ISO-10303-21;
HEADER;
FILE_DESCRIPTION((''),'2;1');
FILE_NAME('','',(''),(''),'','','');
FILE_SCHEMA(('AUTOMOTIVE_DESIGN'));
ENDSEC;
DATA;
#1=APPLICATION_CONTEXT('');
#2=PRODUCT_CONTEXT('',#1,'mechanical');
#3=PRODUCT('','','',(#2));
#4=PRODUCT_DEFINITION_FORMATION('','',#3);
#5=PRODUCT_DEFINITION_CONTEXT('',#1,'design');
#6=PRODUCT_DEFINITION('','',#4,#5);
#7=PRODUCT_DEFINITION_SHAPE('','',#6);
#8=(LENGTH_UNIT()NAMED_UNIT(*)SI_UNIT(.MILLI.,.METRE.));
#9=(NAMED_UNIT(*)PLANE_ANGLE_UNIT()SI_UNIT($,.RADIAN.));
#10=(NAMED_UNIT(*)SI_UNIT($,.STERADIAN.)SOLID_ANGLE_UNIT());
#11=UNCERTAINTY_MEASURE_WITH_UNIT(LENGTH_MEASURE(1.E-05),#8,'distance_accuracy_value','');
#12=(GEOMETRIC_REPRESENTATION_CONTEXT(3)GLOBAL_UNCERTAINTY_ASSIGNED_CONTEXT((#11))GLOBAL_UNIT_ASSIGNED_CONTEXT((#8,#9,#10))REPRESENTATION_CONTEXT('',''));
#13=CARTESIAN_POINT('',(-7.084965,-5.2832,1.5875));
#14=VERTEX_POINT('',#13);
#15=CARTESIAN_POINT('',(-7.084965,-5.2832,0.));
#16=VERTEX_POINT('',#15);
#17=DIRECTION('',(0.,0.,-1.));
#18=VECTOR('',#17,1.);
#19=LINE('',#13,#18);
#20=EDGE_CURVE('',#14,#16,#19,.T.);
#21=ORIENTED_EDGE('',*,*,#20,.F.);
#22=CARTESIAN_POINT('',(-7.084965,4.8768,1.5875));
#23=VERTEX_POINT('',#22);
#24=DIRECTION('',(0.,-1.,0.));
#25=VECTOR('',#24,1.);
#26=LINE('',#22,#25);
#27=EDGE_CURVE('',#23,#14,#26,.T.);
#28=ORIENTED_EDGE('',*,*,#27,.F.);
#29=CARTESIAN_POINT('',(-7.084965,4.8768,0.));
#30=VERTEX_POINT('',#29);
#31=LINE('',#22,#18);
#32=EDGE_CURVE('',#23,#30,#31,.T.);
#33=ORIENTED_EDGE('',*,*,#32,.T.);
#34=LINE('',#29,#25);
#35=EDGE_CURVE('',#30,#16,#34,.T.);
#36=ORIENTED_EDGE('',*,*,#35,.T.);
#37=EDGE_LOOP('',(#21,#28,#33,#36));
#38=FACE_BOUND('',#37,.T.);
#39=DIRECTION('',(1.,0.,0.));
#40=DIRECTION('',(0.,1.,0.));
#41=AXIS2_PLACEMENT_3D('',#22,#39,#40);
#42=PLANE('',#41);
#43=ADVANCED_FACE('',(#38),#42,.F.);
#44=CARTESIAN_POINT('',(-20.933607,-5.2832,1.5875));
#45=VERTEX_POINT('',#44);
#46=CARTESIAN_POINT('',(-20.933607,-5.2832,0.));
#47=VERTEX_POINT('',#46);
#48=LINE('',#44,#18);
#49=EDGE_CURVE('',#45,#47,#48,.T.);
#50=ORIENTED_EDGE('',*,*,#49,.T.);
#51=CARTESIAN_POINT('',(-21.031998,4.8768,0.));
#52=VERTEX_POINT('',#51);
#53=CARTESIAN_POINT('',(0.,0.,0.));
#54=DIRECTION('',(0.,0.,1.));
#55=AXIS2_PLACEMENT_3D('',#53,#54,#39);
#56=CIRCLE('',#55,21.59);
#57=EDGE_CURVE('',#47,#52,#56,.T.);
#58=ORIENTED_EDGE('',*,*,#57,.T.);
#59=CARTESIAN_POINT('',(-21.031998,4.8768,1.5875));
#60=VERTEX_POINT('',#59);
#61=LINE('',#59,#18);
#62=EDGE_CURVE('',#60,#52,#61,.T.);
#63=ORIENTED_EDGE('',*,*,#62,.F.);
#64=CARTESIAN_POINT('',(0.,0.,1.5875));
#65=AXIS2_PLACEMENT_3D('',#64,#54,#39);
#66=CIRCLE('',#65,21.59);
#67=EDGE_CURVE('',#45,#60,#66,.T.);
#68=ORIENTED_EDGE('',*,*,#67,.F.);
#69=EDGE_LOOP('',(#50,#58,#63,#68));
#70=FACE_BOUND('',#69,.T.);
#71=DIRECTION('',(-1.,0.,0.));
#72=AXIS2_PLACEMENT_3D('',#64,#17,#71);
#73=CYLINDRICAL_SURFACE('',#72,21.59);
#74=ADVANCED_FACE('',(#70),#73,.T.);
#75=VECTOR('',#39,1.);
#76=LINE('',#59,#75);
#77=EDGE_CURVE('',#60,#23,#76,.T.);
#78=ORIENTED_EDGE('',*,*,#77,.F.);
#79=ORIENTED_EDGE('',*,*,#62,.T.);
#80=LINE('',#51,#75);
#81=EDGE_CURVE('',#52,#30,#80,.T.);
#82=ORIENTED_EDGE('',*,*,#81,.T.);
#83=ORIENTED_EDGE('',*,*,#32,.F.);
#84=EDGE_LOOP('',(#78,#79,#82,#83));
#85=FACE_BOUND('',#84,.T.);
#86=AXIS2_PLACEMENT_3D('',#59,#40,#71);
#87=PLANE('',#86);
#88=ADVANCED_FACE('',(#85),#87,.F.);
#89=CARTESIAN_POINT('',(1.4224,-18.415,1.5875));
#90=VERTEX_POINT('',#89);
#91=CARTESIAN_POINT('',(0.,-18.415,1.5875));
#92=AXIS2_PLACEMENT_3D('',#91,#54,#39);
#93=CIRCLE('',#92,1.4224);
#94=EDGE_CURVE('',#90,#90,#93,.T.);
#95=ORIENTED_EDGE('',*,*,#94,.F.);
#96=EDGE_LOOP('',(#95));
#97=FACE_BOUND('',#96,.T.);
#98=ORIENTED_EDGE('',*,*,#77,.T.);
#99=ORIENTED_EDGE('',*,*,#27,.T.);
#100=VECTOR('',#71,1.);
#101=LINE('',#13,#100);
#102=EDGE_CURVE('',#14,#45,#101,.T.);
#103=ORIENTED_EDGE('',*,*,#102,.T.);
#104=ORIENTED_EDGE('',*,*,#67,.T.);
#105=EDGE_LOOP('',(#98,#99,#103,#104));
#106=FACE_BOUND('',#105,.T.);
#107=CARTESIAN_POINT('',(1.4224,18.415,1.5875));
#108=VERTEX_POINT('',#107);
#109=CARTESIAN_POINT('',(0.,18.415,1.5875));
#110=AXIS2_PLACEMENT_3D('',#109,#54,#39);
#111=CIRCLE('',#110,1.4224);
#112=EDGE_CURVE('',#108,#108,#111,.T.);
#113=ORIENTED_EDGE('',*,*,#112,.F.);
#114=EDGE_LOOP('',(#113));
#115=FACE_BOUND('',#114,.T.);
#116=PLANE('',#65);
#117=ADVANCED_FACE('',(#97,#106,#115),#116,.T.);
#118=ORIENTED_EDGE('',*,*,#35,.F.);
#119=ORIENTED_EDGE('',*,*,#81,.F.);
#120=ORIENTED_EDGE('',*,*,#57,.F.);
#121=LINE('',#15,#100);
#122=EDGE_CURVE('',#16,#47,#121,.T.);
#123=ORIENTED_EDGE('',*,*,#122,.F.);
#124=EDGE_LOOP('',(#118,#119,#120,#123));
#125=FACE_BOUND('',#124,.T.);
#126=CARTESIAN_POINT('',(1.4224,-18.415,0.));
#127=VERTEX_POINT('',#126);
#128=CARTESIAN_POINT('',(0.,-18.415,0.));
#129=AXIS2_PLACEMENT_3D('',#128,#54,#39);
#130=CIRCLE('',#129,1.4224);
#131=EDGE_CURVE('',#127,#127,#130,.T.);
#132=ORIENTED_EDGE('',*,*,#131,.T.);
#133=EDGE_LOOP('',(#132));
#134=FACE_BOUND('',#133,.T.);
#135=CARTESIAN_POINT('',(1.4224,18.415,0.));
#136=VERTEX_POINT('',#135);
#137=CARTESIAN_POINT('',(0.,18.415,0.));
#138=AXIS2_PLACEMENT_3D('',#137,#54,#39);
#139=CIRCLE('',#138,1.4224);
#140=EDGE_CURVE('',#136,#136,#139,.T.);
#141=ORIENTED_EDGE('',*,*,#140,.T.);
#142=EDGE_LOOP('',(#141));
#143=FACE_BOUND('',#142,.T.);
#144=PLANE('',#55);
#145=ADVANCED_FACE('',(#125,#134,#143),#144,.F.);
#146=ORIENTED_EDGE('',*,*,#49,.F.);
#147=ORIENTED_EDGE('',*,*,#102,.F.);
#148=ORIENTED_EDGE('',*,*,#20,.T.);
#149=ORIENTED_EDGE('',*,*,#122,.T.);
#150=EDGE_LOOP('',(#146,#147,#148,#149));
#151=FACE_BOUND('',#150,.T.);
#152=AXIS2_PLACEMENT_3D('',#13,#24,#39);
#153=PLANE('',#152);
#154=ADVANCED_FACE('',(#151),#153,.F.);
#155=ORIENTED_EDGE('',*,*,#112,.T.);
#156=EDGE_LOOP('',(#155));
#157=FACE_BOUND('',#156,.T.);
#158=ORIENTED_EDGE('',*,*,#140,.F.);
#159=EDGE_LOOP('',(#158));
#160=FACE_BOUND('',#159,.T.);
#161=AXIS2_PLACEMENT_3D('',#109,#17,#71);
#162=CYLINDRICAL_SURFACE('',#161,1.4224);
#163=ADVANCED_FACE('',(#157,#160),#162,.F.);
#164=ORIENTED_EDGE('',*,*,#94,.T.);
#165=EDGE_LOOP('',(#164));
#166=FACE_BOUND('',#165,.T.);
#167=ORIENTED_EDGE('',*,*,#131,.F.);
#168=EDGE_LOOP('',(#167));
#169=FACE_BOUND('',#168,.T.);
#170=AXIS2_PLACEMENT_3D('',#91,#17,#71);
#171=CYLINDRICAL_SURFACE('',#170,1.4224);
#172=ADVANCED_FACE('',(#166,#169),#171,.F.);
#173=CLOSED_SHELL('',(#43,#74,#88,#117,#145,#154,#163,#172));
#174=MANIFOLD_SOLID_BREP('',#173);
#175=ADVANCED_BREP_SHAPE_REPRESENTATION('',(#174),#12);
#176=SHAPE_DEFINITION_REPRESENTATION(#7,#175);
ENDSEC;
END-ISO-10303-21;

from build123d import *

# Parameters (mm, degrees)
SKETCH2_R           = 1.4224
BOSS_EXTRUDE1_DEPTH = 1.5875


with BuildPart() as part:
    # Sketch2 → Boss-Extrude1 (new body)
    with BuildSketch(Plane.XY):
        with BuildLine():
            Line((-21.031997569, 4.8768), (-7.084965338, 4.8768))
            Line((-7.084965338, 4.8768), (-7.084965338, -5.2832))
            Line((-7.084965338, -5.2832), (-20.933606898, -5.2832))
            ThreePointArc((-20.933606898, -5.2832), (21.588987692, 0.209070373), (-21.031997569, 4.8768))
        make_face()
        with Locations((0, 18.415)):
            Circle(SKETCH2_R, mode=Mode.SUBTRACT)
        with Locations((0, -18.415)):
            Circle(SKETCH2_R, mode=Mode.SUBTRACT)
    extrude(amount=BOSS_EXTRUDE1_DEPTH)


solid = part.part
